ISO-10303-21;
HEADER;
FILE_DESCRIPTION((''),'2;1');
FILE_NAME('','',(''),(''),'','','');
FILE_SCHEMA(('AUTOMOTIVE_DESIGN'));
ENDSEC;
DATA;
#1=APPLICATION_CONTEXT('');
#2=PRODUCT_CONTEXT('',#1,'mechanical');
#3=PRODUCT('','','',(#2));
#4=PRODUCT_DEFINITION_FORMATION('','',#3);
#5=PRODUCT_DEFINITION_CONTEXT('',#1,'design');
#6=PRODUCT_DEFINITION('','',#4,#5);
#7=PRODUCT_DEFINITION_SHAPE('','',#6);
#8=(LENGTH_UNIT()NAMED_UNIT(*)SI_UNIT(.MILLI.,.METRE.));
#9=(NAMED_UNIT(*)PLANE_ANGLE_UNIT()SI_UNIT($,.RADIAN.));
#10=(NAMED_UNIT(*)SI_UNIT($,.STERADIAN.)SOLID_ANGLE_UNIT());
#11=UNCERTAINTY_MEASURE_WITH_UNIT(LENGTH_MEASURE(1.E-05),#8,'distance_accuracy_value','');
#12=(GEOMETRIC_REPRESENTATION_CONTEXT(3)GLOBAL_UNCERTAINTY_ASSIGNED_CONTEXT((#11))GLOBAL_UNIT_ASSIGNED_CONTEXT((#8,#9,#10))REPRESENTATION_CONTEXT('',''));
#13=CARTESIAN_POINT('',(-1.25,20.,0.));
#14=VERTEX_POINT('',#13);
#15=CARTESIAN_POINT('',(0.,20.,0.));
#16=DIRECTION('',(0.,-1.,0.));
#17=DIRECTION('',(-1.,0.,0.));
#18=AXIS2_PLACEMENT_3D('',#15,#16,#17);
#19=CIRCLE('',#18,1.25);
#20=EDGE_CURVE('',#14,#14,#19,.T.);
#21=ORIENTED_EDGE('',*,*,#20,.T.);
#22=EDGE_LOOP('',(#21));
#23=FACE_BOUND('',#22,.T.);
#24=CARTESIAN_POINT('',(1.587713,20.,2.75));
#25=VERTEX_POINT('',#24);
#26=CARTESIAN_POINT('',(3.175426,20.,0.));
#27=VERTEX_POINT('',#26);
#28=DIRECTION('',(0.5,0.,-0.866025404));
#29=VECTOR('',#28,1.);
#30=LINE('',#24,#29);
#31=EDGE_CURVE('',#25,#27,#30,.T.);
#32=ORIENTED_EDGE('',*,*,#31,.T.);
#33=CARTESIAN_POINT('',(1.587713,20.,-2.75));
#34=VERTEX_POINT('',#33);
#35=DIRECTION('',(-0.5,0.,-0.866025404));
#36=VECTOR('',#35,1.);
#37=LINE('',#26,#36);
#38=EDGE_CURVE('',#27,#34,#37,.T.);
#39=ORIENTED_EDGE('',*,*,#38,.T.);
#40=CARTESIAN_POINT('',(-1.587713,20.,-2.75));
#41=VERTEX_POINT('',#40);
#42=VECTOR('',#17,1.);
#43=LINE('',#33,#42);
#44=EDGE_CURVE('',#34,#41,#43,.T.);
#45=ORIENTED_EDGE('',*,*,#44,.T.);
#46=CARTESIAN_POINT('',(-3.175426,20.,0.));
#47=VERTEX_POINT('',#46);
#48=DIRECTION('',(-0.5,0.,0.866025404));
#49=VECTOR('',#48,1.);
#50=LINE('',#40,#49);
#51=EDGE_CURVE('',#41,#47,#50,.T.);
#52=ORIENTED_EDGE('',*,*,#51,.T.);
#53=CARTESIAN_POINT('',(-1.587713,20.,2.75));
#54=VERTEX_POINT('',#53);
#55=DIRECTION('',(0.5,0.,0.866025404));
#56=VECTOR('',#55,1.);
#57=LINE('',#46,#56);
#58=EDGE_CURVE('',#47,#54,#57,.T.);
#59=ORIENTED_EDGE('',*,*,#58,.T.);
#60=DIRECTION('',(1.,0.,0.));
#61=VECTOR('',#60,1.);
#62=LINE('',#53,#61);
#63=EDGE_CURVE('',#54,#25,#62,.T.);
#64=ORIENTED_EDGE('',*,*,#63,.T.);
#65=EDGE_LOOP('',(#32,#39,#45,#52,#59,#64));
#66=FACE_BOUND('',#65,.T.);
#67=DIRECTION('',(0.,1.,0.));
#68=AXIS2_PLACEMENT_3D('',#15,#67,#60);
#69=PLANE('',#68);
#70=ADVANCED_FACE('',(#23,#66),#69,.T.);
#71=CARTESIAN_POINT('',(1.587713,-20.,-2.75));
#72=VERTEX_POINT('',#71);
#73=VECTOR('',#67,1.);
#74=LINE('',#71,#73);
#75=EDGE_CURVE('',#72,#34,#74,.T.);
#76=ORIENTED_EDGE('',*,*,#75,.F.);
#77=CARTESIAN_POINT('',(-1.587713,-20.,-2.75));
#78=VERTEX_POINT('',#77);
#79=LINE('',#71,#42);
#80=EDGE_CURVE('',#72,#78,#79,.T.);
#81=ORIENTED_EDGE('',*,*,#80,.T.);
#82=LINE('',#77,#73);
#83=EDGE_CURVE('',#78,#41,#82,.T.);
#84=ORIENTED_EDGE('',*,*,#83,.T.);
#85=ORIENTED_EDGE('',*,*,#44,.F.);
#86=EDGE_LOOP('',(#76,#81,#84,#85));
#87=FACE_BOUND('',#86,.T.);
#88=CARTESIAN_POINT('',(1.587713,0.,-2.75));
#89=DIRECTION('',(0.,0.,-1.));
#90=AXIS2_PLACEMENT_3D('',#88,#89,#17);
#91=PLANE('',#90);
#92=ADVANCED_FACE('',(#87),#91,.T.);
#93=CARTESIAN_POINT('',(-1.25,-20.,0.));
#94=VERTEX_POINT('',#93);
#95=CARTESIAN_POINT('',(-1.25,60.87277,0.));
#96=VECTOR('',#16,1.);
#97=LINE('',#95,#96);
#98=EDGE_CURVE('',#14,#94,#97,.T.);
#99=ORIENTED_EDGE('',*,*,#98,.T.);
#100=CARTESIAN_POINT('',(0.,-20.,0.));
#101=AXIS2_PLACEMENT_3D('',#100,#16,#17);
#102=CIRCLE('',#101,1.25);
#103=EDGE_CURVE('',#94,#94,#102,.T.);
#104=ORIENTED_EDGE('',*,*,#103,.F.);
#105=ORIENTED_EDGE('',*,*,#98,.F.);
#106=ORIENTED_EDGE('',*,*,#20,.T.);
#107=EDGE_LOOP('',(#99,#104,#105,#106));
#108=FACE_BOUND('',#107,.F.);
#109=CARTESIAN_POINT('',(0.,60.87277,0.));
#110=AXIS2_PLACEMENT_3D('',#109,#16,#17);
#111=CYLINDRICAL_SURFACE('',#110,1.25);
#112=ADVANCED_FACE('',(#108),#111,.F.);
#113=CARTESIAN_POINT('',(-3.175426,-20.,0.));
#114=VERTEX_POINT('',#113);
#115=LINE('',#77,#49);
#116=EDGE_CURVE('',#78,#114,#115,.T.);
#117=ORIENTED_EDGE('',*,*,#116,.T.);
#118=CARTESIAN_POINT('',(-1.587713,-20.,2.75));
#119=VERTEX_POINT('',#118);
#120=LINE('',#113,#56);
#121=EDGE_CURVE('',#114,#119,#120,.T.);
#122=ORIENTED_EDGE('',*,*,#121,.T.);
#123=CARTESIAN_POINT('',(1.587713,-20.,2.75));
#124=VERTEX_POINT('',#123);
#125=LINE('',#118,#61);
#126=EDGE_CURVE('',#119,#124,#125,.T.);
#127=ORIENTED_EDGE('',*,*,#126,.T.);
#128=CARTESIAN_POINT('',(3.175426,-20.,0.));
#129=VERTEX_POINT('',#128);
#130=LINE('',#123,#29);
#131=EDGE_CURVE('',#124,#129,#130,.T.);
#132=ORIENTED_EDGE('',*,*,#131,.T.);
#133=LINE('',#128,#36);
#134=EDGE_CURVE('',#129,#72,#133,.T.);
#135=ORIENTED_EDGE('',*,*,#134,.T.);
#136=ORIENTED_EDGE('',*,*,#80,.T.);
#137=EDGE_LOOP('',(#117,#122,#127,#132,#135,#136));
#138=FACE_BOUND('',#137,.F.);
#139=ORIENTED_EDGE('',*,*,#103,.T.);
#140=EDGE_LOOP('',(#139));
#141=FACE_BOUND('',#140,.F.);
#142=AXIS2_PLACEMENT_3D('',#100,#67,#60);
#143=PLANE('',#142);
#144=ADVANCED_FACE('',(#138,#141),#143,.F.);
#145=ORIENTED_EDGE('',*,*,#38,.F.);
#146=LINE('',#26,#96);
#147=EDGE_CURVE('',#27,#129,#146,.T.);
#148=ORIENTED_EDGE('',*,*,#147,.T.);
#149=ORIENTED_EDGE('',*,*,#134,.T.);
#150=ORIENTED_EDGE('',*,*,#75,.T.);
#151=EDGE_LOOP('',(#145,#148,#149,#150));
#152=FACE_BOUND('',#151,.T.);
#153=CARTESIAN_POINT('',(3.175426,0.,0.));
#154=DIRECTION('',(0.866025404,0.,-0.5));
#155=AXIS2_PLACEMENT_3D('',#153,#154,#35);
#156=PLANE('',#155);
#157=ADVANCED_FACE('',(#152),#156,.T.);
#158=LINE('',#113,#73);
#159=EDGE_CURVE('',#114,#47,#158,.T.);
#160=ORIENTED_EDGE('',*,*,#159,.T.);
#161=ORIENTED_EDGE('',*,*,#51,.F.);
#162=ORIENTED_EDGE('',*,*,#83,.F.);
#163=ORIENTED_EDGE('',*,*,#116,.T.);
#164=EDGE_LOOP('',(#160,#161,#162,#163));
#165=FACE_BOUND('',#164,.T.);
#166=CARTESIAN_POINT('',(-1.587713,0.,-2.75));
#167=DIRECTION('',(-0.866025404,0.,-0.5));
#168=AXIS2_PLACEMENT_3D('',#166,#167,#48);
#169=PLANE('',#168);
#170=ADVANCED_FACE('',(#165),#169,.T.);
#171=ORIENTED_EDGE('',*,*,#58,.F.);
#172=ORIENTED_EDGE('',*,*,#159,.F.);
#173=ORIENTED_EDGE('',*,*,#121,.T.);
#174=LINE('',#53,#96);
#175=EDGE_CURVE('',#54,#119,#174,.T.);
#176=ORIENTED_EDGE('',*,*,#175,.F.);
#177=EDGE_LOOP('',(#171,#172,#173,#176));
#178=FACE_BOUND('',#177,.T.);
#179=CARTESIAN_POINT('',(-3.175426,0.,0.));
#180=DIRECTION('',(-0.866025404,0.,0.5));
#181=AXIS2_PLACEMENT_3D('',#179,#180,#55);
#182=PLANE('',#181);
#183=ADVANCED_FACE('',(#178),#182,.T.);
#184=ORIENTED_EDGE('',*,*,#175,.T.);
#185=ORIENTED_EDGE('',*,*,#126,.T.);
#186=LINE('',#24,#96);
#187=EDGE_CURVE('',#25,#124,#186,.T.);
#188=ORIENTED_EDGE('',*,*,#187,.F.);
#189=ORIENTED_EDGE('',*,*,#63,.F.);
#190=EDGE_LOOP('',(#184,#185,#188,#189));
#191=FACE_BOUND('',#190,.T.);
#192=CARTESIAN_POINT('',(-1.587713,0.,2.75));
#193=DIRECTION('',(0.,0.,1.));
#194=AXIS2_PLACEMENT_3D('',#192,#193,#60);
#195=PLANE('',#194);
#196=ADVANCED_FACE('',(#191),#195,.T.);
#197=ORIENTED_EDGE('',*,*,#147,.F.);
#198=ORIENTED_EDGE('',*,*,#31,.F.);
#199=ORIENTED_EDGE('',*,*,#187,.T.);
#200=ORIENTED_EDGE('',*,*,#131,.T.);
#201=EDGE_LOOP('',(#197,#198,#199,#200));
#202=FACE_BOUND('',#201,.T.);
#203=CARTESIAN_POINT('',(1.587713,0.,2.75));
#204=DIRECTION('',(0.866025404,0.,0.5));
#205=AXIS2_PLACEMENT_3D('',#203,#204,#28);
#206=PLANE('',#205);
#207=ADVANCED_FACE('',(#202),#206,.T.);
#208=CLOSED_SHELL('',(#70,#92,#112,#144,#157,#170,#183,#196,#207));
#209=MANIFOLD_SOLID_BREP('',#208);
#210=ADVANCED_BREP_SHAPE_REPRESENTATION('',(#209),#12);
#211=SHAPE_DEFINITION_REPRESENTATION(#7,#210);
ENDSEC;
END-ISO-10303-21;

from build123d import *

# Parameters (mm, degrees)
BOSS_EXTRUDE1_DEPTH = 20
M3_TAPPED_HOLE1_D   = 2.5


with BuildPart() as part:
    # Sketch1 → Boss-Extrude1 (new body, symmetric)
    with BuildSketch(Plane(origin=(0, 0, 0), x_dir=(1, 0, 0), z_dir=(0, 1, 0))):
        Polygon((3.175426481, 0), (1.58771324, 2.75), (-1.58771324, 2.75), (-3.175426481, 0), (-1.58771324, -2.75), (1.58771324, -2.75), align=None)
    extrude(amount=BOSS_EXTRUDE1_DEPTH, both=True)

    # M3 Tapped Hole1 (through all)
    with Locations(Plane(origin=(0, 20, 0), x_dir=(1, 0, 0), z_dir=(0, 1, 0))):
        with Locations((0, 0)):
            Hole(M3_TAPPED_HOLE1_D / 2)


solid = part.part
